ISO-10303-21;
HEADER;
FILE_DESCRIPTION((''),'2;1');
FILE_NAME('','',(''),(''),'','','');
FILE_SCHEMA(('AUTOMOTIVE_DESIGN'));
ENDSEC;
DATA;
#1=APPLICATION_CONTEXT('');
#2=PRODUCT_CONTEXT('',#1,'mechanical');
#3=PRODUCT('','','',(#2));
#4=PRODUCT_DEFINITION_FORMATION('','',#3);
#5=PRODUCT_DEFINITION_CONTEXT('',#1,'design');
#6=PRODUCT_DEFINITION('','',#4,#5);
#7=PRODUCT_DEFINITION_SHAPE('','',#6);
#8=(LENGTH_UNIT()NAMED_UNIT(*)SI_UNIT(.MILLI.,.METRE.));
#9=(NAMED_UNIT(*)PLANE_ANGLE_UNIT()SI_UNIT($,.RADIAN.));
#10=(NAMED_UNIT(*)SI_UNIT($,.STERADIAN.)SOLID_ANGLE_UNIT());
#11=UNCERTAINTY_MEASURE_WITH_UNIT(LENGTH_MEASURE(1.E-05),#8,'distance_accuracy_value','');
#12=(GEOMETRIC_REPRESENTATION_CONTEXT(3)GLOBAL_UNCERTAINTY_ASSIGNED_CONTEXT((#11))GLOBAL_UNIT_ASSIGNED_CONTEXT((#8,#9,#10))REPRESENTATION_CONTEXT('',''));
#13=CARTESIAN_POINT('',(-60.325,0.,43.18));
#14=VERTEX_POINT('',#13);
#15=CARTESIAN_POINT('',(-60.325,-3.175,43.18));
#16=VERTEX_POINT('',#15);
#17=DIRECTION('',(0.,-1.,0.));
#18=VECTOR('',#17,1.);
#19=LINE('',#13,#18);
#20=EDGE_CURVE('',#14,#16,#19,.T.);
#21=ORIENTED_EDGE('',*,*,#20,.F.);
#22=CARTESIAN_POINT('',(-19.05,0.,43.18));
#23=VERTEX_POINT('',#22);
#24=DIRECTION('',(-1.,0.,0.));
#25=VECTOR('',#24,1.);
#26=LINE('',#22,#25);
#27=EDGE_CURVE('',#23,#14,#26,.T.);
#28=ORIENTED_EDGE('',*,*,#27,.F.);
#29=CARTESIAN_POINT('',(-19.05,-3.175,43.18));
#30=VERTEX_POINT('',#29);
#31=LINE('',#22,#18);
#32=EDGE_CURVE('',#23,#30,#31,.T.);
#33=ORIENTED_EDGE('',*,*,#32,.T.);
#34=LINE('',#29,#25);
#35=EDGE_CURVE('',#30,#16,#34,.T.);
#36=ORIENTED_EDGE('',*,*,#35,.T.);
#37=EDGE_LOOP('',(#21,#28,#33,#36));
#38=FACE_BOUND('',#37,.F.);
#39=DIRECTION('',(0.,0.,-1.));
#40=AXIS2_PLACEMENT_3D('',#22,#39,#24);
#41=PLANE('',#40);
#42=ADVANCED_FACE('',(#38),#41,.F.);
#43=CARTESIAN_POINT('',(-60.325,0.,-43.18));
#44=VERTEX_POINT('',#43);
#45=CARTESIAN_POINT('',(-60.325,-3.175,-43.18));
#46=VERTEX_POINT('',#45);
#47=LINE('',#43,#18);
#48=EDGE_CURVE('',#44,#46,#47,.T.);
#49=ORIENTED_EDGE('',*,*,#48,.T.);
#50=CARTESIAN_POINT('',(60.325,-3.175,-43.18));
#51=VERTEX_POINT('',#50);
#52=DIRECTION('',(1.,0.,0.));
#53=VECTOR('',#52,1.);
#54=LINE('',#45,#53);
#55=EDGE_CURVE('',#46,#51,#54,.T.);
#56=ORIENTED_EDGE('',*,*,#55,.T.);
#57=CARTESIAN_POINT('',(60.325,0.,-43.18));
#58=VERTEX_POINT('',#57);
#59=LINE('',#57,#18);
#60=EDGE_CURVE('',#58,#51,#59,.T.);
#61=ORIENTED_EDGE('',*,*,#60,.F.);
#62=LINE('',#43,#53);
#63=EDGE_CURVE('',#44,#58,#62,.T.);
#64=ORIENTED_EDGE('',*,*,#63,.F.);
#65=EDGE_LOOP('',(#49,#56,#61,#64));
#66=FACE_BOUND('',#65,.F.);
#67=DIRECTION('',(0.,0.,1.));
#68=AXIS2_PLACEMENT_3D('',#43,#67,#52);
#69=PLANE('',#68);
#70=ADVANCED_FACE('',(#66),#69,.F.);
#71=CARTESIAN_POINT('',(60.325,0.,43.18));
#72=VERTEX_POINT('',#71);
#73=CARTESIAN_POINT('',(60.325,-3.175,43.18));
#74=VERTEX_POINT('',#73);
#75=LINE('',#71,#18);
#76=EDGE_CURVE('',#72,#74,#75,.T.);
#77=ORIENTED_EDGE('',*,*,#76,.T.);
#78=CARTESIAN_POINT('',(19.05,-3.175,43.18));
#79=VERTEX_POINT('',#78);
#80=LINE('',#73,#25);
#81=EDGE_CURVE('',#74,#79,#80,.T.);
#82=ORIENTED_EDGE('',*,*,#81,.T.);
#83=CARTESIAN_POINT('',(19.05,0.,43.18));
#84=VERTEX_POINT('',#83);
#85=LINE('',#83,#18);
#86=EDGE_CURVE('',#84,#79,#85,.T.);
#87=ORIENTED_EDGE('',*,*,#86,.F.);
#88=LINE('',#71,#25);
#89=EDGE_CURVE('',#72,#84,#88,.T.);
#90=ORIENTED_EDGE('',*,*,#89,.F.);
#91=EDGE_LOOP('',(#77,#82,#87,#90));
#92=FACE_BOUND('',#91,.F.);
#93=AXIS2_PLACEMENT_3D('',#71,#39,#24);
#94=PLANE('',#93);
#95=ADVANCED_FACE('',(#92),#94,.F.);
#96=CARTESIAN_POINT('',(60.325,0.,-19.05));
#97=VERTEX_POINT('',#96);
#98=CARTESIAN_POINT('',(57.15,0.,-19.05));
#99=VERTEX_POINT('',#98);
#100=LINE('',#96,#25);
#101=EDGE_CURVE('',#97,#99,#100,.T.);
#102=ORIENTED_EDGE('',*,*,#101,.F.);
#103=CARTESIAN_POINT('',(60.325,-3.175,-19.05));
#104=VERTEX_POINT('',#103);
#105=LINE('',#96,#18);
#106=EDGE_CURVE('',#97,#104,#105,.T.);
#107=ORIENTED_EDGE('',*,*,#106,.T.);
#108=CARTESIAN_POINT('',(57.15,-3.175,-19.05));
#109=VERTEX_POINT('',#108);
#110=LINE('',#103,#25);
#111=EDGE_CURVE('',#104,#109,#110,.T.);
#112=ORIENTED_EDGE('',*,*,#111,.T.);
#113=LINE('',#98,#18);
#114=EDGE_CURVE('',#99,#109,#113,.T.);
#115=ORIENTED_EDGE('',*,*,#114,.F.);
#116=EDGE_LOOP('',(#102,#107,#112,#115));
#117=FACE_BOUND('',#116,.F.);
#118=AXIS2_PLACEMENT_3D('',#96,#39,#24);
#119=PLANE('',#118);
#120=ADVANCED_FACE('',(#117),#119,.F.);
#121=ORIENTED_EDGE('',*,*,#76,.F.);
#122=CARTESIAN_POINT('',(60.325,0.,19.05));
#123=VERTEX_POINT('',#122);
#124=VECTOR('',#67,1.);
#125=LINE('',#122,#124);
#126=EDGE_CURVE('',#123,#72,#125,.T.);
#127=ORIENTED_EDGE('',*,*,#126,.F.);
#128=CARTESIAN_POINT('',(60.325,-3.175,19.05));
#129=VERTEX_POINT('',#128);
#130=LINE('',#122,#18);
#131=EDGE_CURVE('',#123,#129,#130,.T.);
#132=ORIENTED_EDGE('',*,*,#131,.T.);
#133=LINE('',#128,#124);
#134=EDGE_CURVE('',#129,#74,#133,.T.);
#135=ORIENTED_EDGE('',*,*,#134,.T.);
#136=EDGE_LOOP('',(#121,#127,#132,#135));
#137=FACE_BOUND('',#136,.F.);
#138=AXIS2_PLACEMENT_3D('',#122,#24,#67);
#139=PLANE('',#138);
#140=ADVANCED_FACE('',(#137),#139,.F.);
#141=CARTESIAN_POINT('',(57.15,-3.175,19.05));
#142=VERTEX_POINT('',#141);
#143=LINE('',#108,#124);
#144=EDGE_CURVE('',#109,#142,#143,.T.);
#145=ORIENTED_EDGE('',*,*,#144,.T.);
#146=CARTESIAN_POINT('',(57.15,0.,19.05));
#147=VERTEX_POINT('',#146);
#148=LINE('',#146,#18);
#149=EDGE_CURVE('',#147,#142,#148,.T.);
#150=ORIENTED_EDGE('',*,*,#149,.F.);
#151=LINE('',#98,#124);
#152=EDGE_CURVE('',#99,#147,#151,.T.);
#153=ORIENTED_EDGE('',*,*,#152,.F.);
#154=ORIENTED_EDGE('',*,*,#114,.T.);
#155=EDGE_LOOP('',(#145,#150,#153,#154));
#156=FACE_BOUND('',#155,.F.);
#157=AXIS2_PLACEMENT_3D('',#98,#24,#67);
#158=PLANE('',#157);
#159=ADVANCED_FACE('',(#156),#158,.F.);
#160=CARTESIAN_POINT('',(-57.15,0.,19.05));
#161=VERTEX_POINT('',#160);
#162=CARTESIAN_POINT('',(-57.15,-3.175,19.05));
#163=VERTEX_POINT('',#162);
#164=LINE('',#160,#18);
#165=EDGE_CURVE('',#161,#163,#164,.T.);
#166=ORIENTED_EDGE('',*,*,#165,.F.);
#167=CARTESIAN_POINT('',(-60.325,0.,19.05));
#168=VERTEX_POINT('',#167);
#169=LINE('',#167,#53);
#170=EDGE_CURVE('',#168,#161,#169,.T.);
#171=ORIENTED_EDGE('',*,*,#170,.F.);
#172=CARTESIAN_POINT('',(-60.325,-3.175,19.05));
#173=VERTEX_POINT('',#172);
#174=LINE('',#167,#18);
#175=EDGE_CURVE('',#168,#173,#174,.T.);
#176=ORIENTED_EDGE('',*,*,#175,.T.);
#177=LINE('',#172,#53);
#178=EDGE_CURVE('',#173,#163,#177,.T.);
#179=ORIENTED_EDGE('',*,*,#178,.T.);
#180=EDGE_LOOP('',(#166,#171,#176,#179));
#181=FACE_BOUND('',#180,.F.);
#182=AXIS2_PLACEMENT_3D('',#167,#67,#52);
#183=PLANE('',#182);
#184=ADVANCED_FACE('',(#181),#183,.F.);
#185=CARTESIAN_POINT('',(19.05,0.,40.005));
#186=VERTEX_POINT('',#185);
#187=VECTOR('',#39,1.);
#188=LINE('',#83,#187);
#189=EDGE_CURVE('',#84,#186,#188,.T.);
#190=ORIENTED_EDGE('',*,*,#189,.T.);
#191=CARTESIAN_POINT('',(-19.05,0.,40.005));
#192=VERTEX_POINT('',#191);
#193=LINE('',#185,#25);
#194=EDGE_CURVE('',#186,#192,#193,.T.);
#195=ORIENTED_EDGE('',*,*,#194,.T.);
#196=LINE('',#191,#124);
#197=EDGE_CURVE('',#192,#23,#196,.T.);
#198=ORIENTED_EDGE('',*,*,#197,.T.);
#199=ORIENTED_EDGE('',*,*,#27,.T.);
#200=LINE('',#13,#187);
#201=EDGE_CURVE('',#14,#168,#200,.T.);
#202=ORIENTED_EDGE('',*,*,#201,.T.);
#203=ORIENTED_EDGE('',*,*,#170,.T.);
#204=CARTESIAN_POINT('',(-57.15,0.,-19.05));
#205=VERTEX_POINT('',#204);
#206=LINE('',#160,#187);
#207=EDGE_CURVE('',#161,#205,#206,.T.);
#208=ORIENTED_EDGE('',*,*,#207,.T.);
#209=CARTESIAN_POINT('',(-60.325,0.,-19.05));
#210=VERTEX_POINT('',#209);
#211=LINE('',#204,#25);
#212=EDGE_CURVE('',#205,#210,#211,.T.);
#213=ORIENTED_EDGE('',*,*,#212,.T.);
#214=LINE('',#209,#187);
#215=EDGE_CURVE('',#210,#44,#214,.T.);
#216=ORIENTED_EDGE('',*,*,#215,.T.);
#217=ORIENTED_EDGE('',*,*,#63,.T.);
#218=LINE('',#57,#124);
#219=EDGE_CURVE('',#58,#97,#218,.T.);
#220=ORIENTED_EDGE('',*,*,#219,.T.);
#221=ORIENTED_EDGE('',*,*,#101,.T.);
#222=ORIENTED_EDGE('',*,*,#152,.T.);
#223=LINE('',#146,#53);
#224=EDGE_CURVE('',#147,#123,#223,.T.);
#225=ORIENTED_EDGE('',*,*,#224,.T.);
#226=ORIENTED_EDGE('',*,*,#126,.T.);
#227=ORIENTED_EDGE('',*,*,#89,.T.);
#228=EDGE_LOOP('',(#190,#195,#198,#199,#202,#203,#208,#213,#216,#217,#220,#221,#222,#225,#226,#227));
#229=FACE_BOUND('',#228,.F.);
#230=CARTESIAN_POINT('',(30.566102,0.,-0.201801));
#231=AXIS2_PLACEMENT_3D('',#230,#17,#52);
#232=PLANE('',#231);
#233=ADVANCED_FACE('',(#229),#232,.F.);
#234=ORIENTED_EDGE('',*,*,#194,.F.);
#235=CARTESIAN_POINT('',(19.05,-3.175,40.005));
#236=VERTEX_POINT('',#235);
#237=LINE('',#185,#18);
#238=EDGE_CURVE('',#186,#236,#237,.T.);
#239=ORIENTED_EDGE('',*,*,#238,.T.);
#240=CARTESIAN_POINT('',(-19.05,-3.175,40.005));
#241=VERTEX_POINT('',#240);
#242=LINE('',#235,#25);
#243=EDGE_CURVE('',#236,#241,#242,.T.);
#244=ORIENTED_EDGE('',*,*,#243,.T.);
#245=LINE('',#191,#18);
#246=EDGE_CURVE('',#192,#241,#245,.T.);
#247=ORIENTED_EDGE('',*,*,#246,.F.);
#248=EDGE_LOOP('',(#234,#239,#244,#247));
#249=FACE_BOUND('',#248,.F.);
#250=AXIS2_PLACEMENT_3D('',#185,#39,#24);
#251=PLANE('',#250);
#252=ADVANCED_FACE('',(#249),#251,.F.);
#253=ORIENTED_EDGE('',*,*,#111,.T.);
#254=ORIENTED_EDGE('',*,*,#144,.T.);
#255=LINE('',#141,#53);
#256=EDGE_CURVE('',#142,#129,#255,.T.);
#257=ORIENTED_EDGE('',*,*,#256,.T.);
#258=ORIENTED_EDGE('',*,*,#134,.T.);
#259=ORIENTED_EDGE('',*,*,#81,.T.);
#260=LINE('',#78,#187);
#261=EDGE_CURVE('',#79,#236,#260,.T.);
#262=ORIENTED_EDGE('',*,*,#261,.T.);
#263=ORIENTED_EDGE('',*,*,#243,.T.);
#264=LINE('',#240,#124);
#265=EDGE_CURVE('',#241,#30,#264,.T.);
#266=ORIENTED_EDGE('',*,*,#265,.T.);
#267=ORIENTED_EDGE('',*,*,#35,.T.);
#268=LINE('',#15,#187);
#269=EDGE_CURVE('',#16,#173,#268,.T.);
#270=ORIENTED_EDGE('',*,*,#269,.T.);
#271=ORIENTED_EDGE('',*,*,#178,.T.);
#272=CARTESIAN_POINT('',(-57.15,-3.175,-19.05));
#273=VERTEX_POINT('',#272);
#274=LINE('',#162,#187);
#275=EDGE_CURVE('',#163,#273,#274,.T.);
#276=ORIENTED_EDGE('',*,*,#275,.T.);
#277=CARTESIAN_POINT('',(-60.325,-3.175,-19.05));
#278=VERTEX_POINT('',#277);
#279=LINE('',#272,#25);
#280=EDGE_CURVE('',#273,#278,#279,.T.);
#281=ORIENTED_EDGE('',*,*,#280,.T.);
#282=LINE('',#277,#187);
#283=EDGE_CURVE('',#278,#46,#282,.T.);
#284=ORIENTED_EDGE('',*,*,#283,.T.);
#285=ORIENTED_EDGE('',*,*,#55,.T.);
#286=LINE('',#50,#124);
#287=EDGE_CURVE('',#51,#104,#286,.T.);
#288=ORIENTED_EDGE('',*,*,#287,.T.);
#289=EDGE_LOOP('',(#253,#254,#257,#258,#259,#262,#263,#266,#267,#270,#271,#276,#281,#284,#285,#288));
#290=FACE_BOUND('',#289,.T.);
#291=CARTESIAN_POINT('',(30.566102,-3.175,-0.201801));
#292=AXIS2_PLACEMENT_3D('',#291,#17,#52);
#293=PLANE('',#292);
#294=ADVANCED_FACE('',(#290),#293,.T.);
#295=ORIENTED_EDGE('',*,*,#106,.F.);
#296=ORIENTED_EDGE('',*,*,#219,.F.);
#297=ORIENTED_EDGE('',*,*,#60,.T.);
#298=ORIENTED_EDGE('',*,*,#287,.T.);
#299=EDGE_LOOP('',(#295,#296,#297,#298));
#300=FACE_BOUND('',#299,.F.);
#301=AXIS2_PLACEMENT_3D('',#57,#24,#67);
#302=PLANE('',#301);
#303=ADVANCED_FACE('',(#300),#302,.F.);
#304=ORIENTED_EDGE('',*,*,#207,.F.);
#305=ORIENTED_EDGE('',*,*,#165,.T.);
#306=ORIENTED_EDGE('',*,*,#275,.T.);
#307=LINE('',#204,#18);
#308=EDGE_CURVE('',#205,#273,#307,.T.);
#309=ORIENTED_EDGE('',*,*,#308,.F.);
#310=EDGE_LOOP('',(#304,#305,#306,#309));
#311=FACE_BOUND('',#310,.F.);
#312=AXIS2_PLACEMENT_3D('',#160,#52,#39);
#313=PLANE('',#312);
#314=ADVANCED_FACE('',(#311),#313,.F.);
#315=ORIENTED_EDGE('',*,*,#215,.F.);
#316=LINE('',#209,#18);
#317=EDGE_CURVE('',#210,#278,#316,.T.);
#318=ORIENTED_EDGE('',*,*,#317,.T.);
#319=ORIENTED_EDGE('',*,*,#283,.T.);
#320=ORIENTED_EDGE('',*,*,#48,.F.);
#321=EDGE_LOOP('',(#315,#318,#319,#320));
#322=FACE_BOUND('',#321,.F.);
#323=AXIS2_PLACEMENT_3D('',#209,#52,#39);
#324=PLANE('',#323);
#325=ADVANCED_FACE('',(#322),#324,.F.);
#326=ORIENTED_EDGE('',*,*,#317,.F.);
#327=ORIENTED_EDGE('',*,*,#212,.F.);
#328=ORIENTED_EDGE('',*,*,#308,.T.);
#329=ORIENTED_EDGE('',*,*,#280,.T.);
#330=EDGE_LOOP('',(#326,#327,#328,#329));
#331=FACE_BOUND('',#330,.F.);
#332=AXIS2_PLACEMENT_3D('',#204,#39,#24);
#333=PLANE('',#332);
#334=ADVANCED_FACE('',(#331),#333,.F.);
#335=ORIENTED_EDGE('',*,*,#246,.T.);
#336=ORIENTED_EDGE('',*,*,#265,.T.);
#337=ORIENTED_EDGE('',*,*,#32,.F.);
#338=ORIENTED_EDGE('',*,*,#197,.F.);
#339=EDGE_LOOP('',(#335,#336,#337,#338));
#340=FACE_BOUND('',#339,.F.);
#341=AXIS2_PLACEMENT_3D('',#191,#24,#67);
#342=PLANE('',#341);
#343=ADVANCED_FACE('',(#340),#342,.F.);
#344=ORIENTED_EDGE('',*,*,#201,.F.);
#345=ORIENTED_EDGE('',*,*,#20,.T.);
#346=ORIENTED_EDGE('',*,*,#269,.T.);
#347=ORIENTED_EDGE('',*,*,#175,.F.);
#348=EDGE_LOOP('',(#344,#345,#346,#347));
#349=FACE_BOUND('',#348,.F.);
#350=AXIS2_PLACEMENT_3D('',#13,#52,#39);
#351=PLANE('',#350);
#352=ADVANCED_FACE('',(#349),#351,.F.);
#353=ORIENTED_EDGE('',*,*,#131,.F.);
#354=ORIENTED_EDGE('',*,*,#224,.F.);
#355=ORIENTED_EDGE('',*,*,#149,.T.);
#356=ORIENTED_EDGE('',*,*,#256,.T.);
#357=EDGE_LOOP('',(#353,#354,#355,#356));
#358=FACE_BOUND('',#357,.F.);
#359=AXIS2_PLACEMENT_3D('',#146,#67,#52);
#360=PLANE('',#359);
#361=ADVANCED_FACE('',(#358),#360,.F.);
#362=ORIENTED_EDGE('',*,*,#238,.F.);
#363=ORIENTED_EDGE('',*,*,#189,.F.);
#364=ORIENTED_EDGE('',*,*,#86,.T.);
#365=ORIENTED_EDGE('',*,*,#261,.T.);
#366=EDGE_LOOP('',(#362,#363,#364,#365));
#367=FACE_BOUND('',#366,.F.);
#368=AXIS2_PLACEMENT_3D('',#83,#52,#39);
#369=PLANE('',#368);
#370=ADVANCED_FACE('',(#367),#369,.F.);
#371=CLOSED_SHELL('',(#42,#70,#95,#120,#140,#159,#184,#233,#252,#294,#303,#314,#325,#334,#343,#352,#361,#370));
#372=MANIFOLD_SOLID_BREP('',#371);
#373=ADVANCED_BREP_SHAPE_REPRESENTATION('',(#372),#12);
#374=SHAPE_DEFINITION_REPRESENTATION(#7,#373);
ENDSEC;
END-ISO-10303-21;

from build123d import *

# Parameters (mm, degrees)
F1_DEPTH = 3.175


with BuildPart() as f1:
    # F0 (on Front) → F1 (new body)
    with BuildSketch(Plane.XZ):
        Polygon((0, -43.18), (60.325, -43.18), (60.325, -19.05), (57.15, -19.05), (57.15, 19.05), (60.325, 19.05), (60.325, 43.18), (19.05, 43.18), (19.05, 40.005), (0, 40.005), (0, 0), align=None)
        Polygon((-60.325, -43.18), (0, -43.18), (0, 0), (0, 40.005), (-19.05, 40.005), (-19.05, 43.18), (-60.325, 43.18), (-60.325, 19.05), (-57.15, 19.05), (-57.15, -19.05), (-60.325, -19.05), align=None)
    extrude(amount=F1_DEPTH)


solid = f1.part
